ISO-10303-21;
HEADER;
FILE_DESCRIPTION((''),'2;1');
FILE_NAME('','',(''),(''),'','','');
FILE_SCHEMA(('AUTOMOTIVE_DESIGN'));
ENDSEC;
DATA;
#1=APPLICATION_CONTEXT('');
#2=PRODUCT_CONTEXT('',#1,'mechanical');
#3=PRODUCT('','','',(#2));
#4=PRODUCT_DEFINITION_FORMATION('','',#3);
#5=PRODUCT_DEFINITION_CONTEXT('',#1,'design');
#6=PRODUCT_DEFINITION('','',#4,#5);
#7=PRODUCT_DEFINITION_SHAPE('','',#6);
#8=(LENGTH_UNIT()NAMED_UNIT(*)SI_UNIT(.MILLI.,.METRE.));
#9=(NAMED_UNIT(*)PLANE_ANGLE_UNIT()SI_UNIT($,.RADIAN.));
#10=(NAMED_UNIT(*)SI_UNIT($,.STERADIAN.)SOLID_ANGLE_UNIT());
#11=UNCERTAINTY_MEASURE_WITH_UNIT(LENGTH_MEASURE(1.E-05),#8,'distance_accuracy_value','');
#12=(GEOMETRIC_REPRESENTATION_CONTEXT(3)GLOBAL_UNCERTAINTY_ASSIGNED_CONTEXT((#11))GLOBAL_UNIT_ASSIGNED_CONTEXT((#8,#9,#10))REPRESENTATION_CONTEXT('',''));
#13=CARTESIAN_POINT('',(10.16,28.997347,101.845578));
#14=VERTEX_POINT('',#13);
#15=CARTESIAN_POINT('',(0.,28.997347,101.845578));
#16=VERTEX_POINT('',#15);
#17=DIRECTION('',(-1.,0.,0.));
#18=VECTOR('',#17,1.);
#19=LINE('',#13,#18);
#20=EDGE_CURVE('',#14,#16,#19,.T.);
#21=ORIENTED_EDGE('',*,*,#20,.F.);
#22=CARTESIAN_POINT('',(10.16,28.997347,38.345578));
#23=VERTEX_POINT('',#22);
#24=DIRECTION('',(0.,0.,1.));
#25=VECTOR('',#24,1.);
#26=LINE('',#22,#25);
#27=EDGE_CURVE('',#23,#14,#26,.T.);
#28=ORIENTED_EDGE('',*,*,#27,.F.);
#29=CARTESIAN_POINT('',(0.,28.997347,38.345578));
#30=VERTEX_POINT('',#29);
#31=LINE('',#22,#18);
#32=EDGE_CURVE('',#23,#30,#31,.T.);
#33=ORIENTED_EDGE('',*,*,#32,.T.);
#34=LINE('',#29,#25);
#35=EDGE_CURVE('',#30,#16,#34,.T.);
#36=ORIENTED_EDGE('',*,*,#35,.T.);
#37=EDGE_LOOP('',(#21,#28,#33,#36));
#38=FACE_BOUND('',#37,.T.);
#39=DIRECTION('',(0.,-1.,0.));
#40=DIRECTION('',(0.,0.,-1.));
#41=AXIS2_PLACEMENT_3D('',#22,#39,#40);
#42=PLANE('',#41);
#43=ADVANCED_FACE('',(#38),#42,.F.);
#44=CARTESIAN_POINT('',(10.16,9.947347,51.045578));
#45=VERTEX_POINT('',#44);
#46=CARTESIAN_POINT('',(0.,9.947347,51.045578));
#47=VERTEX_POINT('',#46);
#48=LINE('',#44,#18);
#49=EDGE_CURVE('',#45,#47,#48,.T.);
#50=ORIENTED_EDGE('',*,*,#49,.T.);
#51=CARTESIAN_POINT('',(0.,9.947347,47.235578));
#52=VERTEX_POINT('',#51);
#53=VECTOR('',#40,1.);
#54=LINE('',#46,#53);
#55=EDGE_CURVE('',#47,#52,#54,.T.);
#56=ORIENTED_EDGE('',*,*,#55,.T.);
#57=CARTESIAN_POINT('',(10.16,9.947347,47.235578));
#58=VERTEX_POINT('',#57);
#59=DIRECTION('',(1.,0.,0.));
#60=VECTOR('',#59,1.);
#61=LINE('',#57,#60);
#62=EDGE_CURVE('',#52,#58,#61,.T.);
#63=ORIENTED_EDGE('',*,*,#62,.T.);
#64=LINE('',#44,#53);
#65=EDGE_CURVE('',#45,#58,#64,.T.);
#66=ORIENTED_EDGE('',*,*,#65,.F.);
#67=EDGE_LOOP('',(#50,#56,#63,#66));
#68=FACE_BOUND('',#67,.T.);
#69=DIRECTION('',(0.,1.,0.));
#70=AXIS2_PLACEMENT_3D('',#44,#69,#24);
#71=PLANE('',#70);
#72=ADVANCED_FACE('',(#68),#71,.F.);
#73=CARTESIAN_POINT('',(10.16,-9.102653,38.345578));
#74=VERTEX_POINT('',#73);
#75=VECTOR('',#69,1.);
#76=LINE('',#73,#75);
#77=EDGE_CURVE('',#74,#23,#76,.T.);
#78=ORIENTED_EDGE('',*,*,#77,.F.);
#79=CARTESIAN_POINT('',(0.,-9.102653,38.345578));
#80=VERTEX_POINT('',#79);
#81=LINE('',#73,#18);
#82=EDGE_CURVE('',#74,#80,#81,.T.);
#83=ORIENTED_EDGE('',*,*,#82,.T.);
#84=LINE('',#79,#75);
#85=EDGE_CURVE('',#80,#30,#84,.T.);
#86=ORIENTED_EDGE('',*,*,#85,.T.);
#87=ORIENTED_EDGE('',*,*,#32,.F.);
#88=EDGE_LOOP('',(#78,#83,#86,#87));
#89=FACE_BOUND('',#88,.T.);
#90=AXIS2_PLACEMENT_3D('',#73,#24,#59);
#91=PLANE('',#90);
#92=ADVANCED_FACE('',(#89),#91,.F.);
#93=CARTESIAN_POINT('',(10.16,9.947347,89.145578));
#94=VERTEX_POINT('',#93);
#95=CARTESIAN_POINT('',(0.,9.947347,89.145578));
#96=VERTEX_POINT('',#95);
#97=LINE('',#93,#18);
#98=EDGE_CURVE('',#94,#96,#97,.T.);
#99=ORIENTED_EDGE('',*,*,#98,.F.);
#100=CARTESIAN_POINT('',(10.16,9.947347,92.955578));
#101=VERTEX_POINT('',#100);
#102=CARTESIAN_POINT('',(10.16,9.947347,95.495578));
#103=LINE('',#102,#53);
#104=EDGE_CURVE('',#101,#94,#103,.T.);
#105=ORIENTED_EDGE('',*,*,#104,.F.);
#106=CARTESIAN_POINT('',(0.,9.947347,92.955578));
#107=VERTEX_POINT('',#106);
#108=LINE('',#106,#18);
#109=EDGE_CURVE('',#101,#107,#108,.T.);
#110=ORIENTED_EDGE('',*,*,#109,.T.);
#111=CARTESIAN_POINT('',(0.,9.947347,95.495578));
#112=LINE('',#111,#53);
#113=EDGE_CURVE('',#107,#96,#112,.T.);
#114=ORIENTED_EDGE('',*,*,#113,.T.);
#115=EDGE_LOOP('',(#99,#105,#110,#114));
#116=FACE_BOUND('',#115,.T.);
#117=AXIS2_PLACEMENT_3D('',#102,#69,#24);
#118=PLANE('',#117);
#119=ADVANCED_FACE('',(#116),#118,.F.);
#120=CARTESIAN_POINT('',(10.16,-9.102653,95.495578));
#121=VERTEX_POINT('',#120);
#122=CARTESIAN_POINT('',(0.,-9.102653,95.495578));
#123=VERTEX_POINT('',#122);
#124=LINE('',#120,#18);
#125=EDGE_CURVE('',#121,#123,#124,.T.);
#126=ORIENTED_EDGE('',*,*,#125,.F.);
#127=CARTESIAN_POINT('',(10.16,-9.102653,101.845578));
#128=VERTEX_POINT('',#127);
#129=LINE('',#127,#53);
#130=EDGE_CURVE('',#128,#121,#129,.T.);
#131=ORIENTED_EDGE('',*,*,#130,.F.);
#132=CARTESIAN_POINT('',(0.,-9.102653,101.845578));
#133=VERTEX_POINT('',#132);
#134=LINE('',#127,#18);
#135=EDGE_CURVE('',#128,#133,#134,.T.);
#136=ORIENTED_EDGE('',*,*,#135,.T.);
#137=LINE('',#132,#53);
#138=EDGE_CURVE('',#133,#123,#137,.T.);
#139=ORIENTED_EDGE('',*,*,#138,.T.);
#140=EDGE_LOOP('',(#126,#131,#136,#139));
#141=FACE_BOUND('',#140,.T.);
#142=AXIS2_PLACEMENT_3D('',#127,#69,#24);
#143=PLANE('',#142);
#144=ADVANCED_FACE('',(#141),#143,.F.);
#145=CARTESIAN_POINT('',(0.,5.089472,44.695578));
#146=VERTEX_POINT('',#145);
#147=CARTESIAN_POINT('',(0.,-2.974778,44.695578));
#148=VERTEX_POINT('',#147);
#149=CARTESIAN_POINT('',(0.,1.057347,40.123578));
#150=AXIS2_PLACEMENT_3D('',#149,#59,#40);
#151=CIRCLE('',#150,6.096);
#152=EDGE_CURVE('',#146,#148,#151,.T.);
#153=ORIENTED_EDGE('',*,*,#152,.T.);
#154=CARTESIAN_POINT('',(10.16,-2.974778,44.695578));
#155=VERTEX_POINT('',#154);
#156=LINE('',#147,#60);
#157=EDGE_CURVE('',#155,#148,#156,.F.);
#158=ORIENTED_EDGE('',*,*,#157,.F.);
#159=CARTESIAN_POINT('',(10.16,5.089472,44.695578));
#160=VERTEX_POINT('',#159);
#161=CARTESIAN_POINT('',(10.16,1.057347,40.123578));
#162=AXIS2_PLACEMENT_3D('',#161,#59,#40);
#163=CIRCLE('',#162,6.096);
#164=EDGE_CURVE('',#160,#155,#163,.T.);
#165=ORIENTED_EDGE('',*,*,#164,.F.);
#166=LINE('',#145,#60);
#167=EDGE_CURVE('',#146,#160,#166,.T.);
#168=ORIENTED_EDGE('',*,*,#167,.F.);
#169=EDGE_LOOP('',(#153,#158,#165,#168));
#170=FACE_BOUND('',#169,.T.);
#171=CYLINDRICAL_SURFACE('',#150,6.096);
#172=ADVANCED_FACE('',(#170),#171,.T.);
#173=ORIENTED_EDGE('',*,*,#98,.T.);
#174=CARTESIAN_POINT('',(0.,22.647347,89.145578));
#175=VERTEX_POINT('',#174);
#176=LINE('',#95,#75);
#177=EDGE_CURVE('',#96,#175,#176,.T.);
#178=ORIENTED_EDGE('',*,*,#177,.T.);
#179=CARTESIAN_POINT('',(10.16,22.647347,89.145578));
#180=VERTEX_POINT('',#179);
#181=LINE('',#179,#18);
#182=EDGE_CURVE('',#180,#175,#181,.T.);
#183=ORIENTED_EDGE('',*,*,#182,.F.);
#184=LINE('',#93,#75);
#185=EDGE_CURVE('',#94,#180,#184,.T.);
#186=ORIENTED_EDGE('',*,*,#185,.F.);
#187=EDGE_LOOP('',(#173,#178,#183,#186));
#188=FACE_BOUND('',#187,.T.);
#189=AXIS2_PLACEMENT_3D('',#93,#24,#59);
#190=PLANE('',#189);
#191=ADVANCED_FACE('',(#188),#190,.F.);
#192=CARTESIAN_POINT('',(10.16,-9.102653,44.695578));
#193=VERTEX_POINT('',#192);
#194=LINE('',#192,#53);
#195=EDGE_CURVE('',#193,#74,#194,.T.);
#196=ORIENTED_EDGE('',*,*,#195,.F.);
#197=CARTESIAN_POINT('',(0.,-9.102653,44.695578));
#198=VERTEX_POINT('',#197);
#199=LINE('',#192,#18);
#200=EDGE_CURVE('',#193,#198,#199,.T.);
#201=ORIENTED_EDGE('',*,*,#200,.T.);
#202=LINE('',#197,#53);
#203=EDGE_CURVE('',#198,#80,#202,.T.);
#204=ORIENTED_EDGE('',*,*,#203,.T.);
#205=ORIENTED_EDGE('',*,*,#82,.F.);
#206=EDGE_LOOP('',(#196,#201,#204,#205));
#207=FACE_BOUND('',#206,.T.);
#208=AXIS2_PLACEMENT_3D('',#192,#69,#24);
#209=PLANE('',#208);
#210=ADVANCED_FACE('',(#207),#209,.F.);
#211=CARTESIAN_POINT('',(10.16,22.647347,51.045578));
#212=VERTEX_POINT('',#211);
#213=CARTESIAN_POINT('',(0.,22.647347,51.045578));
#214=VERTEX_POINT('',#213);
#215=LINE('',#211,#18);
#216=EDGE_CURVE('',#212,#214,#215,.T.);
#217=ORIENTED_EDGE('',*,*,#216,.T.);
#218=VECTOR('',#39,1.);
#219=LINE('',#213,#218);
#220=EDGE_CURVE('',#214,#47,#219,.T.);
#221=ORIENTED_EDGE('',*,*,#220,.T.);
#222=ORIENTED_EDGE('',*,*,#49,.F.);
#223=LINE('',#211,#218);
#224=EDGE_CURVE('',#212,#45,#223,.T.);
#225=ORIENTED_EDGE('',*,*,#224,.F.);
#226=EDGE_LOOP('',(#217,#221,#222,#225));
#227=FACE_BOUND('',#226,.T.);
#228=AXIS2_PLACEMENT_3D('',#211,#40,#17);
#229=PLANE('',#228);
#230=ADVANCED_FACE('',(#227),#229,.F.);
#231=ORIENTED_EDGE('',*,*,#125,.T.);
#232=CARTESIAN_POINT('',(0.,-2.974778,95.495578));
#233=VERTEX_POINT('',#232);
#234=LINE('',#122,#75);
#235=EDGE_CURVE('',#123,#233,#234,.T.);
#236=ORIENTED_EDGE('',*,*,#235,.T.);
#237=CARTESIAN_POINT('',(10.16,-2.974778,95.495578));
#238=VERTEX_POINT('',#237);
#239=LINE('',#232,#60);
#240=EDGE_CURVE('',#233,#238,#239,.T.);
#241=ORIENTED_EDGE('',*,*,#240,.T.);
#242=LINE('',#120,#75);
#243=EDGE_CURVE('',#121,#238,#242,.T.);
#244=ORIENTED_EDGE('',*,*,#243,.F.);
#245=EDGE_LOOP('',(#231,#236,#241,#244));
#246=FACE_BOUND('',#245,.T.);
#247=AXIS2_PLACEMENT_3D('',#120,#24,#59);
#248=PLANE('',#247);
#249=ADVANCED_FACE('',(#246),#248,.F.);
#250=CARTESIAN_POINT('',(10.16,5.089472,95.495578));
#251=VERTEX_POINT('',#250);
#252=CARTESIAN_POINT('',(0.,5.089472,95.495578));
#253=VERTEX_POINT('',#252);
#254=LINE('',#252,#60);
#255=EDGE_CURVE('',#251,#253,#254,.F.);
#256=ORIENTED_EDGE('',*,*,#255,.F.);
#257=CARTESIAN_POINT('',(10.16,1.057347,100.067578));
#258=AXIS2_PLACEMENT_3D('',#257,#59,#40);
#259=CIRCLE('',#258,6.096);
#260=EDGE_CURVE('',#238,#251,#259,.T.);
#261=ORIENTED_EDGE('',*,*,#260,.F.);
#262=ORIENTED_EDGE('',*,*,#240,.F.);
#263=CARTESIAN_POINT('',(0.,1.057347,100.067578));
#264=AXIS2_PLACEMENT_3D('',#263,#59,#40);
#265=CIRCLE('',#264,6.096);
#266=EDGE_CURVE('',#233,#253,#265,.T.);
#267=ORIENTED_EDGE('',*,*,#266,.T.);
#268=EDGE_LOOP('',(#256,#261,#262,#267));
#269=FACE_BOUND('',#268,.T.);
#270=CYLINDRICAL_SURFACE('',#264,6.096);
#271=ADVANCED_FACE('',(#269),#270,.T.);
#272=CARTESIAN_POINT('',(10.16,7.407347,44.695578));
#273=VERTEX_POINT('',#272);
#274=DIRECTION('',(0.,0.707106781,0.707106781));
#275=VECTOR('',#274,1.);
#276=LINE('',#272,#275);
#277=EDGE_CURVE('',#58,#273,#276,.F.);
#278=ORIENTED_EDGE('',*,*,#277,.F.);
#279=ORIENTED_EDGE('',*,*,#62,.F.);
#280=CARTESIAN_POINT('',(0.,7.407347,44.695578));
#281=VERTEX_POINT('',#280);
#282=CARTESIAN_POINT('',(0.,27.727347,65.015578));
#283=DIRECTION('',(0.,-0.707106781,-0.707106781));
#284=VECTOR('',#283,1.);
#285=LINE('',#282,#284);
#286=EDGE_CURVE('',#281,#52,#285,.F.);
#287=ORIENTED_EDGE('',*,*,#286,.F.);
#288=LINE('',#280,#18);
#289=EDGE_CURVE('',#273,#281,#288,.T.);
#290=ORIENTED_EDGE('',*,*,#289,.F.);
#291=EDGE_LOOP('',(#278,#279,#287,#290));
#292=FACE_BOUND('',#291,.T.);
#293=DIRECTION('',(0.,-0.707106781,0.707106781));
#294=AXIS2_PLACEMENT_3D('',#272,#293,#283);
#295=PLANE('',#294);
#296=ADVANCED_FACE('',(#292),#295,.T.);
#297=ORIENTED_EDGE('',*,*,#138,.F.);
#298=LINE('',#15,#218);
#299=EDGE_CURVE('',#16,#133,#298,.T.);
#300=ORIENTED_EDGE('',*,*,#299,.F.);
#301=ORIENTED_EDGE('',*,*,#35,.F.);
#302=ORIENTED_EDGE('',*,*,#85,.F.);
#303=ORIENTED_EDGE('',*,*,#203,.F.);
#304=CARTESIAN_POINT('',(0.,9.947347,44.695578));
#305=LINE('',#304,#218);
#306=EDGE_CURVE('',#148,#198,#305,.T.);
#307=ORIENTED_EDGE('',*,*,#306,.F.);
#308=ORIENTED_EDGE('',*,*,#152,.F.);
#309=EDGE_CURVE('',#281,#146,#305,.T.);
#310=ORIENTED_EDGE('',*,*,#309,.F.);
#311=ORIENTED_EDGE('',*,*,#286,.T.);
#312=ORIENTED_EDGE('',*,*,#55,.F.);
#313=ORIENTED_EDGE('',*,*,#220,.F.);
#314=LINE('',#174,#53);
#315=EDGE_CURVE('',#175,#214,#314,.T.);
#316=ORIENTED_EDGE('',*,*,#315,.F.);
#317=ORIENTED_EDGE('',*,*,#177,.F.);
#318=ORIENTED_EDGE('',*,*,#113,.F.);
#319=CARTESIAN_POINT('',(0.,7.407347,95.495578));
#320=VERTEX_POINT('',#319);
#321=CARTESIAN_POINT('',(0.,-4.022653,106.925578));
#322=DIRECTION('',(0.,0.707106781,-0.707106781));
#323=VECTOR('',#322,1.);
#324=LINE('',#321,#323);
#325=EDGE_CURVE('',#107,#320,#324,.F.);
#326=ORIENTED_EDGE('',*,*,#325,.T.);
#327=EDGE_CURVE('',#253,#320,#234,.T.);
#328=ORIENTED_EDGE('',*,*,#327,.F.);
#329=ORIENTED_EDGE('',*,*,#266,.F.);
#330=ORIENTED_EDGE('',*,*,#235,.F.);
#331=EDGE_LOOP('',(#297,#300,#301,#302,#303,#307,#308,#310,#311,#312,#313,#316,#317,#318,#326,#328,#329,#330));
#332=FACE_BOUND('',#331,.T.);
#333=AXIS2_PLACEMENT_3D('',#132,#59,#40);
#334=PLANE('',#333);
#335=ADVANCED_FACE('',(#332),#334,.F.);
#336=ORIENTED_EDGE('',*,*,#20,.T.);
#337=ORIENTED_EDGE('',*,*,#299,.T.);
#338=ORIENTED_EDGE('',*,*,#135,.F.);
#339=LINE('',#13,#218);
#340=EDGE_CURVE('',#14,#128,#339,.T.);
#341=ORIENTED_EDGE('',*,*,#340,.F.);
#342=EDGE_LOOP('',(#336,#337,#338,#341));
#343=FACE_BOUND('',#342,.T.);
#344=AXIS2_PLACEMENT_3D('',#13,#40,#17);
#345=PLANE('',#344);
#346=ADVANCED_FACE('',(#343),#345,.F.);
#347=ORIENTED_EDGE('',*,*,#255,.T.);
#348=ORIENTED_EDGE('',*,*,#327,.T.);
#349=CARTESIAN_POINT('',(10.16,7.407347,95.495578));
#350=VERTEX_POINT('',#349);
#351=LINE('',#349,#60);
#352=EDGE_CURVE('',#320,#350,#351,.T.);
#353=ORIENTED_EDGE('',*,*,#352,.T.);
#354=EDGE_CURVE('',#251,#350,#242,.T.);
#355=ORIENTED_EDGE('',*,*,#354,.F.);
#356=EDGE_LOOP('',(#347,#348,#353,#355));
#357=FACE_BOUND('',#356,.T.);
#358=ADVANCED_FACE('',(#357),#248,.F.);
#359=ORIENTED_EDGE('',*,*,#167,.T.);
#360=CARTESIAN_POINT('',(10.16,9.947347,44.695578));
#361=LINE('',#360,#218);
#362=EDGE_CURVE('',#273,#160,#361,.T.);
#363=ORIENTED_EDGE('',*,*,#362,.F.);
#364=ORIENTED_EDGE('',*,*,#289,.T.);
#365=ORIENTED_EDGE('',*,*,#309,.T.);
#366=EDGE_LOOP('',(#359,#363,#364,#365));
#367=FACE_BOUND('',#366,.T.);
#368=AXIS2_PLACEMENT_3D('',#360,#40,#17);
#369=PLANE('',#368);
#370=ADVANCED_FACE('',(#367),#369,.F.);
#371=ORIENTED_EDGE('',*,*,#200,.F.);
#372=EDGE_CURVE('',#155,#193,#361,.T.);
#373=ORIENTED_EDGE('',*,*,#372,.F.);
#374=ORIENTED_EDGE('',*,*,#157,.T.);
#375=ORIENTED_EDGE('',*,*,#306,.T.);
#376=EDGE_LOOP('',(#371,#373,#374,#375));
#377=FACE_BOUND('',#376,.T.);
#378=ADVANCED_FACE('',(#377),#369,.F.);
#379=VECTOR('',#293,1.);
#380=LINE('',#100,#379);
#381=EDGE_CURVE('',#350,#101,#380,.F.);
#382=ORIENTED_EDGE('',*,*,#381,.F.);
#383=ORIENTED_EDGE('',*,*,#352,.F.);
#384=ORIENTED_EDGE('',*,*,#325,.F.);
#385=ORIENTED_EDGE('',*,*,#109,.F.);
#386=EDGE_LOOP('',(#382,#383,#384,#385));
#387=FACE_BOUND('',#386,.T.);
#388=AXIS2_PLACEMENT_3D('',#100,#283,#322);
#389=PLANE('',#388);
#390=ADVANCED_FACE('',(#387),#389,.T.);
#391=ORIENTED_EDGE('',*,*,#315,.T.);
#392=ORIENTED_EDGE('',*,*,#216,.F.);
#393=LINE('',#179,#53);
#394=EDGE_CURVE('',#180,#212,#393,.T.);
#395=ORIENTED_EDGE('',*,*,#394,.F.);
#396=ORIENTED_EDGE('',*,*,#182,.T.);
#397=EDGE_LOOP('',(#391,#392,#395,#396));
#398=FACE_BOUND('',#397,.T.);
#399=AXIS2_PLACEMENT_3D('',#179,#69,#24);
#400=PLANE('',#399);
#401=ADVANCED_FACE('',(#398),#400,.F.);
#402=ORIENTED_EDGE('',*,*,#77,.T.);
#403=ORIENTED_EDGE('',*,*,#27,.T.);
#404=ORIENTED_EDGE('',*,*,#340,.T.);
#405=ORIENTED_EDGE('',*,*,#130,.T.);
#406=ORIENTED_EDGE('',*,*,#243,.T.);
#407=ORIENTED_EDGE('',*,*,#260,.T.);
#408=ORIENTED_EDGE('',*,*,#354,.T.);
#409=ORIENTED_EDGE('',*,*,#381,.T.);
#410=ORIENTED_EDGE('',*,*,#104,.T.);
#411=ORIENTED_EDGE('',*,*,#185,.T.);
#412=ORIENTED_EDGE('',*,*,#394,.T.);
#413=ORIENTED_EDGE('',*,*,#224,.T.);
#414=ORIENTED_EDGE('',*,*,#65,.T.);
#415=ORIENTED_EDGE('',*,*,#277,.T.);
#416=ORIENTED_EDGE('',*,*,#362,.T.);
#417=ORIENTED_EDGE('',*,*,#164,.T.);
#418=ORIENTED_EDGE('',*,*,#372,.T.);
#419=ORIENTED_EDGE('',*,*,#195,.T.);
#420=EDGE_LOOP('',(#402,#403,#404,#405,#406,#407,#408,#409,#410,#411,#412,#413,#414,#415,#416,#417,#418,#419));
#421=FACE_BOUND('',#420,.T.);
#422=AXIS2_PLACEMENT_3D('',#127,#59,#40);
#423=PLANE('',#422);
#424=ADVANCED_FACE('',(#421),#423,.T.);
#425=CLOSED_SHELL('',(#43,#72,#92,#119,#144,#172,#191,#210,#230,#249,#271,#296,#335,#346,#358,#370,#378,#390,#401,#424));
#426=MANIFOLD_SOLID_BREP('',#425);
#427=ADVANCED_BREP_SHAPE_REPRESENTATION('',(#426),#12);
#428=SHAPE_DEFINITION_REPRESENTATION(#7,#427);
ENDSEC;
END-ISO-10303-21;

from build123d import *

# Parameters (mm, degrees)
BOSS_EXTRUDE1_DEPTH = 10.16
BOSS_EXTRUDE2_DEPTH = 10.16
CHAMFER1_SIZE       = 2.54


with BuildPart() as part:
    # Sketch3 → Boss-Extrude1 (new body)
    with BuildSketch(Plane(origin=(0, 0, 0), x_dir=(0, 0, -1), z_dir=(1, 0, 0))):
        Polygon((-101.845577666, -9.102652747), (-95.495577666, -9.102652747), (-95.495577666, 9.947347253), (-89.145577666, 9.947347253), (-89.145577666, 22.647347253), (-51.045577666, 22.647347253), (-51.045577666, 9.947347253), (-44.695577666, 9.947347253), (-44.695577666, -9.102652747), (-38.345577666, -9.102652747), (-38.345577666, 28.997347253), (-101.845577666, 28.997347253), align=None)
    extrude(amount=BOSS_EXTRUDE1_DEPTH)

    # Sketch4 → Boss-Extrude2 (add)
    with BuildSketch(Plane(origin=(10.16, 0, 0), x_dir=(0, 0, -1), z_dir=(1, 0, 0))):
        with BuildLine():
            Line((-101.845577666, -4.773598811), (-101.845577666, 6.888293317))
            ThreePointArc((-101.845577666, 6.888293317), (-93.971577666, 1.057347253), (-101.845577666, -4.773598811))
        make_face()
        with BuildLine():
            Line((-38.345577666, -4.773598811), (-38.345577666, 6.888293317))
            ThreePointArc((-38.345577666, 6.888293317), (-46.219577666, 1.057347253), (-38.345577666, -4.773598811))
        make_face()
    extrude(amount=-BOSS_EXTRUDE2_DEPTH)

    # Chamfer1
    chamfer1_edges = [part.edges().sort_by_distance(p)[0] for p in [
        (5.08, 9.947347253, 44.695577666),
        (5.08, 9.947347253, 95.495577666),
    ]]
    chamfer(chamfer1_edges, length=CHAMFER1_SIZE)


solid = part.part
